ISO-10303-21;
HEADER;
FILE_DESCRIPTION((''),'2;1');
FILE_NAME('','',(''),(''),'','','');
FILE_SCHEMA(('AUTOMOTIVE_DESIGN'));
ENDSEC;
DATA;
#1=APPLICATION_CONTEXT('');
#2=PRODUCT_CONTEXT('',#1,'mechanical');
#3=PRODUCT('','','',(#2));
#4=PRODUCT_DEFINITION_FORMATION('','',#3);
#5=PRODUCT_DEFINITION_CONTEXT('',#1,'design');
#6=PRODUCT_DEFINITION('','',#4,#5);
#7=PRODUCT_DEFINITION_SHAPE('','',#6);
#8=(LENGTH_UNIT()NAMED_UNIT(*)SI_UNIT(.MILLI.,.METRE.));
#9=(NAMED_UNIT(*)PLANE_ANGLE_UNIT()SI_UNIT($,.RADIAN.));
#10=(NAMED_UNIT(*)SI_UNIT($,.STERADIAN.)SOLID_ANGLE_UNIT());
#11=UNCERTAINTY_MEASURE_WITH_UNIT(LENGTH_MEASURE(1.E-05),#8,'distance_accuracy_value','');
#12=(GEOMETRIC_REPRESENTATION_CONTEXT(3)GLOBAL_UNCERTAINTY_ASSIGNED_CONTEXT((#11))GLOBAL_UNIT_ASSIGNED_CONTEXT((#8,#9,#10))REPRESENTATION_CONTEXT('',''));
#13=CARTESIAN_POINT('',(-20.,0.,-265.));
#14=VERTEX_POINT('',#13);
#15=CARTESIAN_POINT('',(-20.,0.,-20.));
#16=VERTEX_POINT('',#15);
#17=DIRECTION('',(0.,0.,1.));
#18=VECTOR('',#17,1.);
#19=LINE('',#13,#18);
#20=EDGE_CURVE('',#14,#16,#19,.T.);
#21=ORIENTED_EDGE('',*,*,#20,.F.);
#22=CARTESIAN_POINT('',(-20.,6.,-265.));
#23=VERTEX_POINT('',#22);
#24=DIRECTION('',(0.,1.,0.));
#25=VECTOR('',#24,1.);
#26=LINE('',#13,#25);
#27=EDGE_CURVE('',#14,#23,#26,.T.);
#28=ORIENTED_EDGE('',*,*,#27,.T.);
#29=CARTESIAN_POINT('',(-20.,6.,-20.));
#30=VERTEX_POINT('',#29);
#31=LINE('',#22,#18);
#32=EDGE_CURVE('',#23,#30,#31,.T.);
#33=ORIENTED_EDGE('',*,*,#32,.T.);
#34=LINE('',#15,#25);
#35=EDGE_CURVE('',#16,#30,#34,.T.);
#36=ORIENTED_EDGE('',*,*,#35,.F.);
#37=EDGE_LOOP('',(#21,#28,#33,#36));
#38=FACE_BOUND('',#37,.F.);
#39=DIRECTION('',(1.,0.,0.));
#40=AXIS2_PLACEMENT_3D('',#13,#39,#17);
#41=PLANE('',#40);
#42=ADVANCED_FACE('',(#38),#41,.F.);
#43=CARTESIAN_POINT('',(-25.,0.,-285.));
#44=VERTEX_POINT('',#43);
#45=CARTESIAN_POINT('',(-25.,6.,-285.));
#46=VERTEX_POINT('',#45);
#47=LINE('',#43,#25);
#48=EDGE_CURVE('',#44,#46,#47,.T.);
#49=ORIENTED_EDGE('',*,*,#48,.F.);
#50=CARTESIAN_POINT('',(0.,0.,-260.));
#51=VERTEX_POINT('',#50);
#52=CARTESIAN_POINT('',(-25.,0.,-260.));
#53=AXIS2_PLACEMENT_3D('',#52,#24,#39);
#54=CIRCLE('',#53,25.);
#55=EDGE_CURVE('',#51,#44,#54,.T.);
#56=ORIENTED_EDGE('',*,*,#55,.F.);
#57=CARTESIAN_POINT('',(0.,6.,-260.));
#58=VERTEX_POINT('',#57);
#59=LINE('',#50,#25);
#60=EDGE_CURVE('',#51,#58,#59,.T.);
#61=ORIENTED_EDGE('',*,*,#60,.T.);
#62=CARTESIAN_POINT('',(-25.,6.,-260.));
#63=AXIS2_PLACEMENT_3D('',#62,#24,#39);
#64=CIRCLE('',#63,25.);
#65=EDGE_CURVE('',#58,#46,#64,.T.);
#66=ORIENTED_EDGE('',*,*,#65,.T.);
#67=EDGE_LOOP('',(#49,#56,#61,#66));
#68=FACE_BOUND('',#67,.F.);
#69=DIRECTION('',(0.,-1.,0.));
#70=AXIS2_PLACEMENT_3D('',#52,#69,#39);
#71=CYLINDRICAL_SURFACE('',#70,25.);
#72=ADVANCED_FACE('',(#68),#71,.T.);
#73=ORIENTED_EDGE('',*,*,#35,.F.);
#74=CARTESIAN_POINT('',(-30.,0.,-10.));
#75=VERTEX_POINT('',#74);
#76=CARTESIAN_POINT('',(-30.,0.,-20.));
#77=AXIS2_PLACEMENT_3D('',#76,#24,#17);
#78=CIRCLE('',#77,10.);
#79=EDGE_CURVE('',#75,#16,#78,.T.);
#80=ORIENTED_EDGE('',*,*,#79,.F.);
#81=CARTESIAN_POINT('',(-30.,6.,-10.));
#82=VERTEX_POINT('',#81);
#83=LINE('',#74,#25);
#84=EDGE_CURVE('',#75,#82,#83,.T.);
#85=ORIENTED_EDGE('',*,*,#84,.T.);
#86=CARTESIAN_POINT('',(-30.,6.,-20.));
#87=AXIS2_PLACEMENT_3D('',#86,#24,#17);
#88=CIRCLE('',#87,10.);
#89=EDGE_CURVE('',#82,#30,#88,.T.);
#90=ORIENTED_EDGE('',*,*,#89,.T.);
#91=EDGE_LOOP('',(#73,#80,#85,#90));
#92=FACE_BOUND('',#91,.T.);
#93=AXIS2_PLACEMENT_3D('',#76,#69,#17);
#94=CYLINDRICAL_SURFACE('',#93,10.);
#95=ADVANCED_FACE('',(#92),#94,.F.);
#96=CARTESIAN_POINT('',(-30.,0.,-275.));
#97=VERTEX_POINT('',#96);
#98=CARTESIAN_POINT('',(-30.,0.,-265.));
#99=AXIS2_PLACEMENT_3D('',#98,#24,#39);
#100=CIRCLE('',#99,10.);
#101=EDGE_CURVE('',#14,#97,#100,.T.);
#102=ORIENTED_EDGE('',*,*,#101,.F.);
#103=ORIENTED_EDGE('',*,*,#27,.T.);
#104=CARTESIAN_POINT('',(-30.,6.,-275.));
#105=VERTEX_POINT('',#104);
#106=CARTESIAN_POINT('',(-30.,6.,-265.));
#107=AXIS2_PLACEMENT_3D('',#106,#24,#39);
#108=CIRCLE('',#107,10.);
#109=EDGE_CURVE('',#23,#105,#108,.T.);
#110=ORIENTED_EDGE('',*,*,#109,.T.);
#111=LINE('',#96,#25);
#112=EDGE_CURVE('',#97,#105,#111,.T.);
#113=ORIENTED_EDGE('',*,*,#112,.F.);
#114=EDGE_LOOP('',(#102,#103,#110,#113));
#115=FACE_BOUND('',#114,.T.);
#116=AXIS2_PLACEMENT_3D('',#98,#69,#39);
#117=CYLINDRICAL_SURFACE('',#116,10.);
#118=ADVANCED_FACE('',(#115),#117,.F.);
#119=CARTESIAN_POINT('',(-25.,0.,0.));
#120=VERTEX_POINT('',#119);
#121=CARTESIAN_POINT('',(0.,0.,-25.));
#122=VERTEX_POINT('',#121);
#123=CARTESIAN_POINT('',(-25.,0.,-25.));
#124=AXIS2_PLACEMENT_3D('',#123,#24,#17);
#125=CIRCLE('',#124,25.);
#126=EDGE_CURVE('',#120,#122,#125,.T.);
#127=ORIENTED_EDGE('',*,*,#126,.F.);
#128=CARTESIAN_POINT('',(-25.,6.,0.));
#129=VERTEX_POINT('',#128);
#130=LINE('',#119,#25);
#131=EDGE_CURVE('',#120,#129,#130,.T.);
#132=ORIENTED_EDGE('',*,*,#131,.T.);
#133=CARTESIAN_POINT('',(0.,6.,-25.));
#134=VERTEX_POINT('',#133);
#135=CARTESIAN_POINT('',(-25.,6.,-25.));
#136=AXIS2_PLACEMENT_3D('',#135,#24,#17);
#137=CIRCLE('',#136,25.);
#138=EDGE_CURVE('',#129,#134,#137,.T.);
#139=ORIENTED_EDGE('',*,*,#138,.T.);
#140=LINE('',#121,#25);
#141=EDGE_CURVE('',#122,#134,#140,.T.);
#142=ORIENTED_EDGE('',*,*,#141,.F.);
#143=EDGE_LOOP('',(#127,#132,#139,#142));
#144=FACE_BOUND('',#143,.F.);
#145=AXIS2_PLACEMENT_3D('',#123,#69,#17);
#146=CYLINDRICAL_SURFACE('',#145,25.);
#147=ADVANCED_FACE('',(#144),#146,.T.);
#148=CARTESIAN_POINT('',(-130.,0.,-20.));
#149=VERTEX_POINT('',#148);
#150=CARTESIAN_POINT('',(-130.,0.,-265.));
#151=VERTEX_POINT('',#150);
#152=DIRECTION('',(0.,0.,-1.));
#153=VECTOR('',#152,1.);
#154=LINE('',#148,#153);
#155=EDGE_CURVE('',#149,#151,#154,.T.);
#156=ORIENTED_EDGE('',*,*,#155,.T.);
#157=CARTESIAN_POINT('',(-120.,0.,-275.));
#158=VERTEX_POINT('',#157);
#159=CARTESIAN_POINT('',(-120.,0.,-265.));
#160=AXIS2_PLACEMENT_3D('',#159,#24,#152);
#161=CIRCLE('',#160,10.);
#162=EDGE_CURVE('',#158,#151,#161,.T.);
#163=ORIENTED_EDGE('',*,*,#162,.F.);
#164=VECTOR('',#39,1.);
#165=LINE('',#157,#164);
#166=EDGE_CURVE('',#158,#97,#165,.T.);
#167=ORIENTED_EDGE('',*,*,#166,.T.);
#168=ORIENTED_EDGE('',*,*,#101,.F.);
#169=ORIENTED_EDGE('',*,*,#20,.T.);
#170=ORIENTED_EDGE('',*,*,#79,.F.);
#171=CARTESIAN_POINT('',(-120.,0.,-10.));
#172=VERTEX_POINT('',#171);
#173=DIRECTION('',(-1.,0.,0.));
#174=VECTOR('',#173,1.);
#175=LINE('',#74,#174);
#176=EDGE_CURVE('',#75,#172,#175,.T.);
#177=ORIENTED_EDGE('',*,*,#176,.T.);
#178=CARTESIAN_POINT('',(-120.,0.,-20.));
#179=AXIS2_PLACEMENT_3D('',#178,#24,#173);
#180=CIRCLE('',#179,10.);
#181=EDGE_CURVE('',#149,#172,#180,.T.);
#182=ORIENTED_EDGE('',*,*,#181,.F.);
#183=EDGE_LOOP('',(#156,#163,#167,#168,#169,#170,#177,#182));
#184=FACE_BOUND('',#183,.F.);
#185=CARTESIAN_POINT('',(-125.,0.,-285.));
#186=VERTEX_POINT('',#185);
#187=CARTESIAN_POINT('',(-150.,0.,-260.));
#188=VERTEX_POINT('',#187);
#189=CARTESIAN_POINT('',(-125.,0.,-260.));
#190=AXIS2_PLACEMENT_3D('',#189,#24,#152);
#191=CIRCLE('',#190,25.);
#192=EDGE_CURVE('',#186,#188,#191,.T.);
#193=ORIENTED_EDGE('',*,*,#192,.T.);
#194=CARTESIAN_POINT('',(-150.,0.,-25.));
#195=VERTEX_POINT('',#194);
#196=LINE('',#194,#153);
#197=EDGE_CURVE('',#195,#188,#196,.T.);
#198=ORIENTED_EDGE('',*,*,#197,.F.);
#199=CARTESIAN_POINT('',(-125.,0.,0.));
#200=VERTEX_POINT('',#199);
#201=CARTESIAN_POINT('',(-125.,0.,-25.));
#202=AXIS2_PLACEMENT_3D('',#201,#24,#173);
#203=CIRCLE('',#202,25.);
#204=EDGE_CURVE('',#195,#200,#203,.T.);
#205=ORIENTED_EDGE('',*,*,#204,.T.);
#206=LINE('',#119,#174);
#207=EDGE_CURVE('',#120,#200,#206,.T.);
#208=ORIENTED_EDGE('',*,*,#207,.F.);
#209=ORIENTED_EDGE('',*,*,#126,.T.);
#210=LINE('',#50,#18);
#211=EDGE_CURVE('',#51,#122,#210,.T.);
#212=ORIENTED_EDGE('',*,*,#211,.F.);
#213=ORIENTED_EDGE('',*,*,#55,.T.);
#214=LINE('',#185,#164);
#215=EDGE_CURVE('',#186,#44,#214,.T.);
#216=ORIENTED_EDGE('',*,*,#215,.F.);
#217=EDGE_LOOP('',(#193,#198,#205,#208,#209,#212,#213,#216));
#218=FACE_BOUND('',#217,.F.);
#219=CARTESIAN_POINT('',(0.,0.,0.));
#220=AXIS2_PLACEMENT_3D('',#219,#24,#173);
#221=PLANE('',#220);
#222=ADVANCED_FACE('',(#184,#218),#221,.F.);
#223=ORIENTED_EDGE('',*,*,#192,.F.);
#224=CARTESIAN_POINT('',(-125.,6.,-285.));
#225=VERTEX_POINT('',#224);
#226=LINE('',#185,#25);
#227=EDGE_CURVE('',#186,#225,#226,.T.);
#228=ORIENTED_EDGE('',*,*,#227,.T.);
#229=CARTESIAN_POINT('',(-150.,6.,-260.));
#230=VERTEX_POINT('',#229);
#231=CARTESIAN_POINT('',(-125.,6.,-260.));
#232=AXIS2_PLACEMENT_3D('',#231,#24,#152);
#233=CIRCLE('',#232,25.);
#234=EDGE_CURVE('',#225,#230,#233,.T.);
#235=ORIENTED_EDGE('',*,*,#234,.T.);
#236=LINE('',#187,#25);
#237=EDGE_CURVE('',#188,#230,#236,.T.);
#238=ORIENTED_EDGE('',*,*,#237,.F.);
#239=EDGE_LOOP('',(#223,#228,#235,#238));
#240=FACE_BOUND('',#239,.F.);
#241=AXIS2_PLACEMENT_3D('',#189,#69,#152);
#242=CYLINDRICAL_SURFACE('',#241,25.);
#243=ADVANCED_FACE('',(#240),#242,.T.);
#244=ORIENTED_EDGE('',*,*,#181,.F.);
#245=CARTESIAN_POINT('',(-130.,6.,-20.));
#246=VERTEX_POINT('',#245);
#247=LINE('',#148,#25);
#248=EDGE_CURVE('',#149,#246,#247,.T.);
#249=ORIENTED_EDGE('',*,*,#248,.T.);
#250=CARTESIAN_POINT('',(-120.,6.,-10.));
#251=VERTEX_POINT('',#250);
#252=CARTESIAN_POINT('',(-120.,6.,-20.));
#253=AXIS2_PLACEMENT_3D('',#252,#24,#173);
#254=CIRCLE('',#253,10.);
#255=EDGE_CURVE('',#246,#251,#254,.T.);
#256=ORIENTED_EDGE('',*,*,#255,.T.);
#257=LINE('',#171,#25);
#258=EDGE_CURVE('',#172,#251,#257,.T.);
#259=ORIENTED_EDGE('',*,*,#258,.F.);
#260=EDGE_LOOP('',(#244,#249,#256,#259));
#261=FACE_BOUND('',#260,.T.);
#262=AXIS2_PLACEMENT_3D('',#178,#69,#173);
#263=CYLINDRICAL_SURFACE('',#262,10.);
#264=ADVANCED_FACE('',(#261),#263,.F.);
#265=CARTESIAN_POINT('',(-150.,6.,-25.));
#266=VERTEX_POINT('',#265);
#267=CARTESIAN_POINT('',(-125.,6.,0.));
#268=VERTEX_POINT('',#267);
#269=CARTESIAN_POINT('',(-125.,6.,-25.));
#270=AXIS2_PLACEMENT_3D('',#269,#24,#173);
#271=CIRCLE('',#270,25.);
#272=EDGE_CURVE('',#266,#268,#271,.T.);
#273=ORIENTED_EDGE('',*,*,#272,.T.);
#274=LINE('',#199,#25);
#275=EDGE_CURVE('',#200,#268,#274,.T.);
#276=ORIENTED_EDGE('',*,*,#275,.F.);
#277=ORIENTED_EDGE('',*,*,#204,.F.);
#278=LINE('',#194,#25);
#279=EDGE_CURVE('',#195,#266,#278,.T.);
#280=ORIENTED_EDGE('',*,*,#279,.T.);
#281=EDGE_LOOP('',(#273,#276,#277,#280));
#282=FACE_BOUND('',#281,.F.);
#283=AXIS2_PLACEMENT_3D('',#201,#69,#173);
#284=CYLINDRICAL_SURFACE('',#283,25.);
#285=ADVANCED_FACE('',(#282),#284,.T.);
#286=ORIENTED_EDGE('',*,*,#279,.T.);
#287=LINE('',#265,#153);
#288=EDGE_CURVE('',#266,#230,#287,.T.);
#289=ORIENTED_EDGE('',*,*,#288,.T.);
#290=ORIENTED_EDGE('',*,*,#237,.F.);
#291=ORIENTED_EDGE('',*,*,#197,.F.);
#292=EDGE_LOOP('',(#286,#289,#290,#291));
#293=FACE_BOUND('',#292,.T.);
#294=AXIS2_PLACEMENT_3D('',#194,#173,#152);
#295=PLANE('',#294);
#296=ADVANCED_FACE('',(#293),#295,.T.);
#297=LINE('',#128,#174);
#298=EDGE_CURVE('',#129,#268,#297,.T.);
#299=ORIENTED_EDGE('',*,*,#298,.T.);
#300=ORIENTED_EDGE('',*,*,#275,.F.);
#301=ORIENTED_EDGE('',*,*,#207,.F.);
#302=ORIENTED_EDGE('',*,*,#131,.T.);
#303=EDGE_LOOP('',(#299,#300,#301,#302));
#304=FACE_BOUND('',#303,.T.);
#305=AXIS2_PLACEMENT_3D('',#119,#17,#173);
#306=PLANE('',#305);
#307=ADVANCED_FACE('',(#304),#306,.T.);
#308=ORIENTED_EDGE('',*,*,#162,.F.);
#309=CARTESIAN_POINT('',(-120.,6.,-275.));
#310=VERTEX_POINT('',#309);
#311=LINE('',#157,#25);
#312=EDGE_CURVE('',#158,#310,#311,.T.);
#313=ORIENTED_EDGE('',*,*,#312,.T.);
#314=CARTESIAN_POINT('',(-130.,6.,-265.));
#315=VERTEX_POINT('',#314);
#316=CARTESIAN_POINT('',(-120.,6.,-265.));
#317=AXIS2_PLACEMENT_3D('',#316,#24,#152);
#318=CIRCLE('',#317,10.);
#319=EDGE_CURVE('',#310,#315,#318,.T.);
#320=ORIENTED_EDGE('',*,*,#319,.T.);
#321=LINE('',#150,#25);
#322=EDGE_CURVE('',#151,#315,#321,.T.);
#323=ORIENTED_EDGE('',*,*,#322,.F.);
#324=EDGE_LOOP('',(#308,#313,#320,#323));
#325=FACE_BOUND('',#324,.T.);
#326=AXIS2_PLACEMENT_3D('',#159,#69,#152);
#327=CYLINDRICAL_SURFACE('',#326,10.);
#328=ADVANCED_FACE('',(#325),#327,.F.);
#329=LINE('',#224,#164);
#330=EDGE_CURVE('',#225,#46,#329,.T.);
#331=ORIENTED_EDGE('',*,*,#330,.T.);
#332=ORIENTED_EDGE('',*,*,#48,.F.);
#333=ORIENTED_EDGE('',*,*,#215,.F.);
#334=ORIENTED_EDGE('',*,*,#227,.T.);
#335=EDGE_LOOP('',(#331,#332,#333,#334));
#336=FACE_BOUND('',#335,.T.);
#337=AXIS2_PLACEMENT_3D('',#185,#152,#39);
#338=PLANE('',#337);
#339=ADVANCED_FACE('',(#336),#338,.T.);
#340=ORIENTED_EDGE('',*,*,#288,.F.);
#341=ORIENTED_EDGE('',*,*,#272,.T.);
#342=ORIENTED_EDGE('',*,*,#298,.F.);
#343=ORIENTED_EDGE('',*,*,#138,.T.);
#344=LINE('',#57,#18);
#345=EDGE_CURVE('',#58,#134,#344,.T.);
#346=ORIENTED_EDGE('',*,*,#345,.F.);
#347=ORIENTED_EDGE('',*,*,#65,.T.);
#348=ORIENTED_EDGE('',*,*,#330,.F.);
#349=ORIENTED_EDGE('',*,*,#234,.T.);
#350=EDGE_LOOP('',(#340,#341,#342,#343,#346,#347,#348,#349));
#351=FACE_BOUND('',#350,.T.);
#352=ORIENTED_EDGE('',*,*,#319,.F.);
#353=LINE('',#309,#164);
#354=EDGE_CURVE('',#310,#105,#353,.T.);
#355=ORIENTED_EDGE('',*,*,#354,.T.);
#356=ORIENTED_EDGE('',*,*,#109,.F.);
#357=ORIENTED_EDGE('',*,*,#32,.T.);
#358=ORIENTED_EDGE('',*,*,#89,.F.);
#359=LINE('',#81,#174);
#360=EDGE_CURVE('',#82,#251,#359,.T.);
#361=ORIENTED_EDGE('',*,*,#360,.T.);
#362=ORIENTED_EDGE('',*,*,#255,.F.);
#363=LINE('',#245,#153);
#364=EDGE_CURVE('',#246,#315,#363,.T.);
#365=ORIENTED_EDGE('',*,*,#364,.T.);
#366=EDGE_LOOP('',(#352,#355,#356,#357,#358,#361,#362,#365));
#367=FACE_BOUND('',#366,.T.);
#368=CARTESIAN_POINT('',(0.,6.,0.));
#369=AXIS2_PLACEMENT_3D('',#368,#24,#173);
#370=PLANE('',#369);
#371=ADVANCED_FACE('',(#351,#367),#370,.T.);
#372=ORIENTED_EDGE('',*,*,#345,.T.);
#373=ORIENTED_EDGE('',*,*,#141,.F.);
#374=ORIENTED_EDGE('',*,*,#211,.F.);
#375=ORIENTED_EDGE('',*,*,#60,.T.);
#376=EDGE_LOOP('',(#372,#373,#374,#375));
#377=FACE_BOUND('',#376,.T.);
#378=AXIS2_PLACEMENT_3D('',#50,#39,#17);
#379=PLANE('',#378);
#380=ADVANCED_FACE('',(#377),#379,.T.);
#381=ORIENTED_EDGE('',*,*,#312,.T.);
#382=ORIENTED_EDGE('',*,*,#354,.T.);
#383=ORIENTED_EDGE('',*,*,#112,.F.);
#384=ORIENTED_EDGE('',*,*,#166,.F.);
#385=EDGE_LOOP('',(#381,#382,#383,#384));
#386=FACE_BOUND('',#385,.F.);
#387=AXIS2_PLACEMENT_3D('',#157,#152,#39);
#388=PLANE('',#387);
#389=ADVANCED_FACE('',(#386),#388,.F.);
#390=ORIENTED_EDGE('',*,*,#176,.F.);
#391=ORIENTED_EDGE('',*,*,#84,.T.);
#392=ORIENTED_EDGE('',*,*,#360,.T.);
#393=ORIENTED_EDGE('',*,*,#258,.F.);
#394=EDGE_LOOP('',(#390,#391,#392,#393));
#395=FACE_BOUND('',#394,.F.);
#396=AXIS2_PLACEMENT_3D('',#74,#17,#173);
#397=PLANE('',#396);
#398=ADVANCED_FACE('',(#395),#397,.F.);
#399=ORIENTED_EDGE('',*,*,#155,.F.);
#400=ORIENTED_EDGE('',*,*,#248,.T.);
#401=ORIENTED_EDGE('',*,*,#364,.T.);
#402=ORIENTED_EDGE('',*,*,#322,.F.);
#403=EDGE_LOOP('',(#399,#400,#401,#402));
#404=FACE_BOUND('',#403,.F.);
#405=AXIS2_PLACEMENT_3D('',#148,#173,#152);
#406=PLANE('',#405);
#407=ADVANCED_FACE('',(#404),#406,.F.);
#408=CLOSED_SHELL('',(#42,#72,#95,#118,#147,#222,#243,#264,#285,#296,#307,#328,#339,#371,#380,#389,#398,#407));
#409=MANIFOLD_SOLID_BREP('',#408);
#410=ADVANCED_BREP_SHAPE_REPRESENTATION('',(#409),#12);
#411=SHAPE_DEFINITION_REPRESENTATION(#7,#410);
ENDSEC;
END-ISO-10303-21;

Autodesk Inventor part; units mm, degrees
ref_plane "YZ Plane" through (0, 0, 0) normal (1, 0, 0) x (0, 1, 0)
ref_plane "XZ Plane" through (0, 0, 0) normal (0, 1, 0) x (-1, 0, 0)
ref_plane "XY Plane" through (0, 0, 0) normal (0, 0, 1) x (1, 0, 0)
sketch "Esquisse1" plane through (0, 0, 0) normal (0, 1, 0) x (-1, 0, 0)
  line L0 (25, 0) -> (125, 0)
  line L1 (150, -25) -> (150, -260)
  line L2 (125, -285) -> (25, -285)
  line L3 (0, -260) -> (0, -25)
  line L4 (20, 0) -> (20, -10) construction
  line L5 (20, -10) -> (0, -10) construction
  line L6 (150, 0) -> (0, -285) construction
  line L7 (150, -285) -> (0, 0) construction
  line L8 (75, 0) -> (75, -285) construction
  line L9 (150, -142.5) -> (0, -142.5) construction
  line L10 (30, -10) -> (120, -10)
  line L11 (130, -20) -> (130, -265)
  line L12 (120, -275) -> (30, -275)
  line L13 (20, -265) -> (20, -20)
  line L14 (130, -275) -> (150, -275) construction
  line L15 (130, -275) -> (130, -285) construction
  arc A0 (120, -275) -> (130, -265) centre (120, -265) ccw
  arc A1 (20, -265) -> (30, -275) centre (30, -265) ccw
  arc A2 (30, -10) -> (20, -20) centre (30, -20) ccw
  arc A3 (130, -20) -> (120, -10) centre (120, -20) ccw
  arc A4 (25, 0) -> (0, -25) centre (25, -25) ccw
  arc A5 (150, -25) -> (125, 0) centre (125, -25) ccw
  arc A6 (125, -285) -> (150, -260) centre (125, -260) ccw
  arc A7 (0, -260) -> (25, -285) centre (25, -260) ccw
  point P0 (150, -10)
  point P1 (148, 0)
  point P2 (0, -10)
  point P3 (10, 0)
  point P4 (0, -283)
  point P5 (2, -285)
  point P6 (140, -285)
  point P7 (150, -283)
  dimension "d0" = 150
  dimension "d5" = 20
  dimension "d11" = 10
  dimension "d13" = 10
  dimension "d14" = 265
  dimension "d15" = 25
extrude "Extrusion1" add sketch "Esquisse1" along normal blind 6
properties part number "top" material "Bois (cerisier)"
